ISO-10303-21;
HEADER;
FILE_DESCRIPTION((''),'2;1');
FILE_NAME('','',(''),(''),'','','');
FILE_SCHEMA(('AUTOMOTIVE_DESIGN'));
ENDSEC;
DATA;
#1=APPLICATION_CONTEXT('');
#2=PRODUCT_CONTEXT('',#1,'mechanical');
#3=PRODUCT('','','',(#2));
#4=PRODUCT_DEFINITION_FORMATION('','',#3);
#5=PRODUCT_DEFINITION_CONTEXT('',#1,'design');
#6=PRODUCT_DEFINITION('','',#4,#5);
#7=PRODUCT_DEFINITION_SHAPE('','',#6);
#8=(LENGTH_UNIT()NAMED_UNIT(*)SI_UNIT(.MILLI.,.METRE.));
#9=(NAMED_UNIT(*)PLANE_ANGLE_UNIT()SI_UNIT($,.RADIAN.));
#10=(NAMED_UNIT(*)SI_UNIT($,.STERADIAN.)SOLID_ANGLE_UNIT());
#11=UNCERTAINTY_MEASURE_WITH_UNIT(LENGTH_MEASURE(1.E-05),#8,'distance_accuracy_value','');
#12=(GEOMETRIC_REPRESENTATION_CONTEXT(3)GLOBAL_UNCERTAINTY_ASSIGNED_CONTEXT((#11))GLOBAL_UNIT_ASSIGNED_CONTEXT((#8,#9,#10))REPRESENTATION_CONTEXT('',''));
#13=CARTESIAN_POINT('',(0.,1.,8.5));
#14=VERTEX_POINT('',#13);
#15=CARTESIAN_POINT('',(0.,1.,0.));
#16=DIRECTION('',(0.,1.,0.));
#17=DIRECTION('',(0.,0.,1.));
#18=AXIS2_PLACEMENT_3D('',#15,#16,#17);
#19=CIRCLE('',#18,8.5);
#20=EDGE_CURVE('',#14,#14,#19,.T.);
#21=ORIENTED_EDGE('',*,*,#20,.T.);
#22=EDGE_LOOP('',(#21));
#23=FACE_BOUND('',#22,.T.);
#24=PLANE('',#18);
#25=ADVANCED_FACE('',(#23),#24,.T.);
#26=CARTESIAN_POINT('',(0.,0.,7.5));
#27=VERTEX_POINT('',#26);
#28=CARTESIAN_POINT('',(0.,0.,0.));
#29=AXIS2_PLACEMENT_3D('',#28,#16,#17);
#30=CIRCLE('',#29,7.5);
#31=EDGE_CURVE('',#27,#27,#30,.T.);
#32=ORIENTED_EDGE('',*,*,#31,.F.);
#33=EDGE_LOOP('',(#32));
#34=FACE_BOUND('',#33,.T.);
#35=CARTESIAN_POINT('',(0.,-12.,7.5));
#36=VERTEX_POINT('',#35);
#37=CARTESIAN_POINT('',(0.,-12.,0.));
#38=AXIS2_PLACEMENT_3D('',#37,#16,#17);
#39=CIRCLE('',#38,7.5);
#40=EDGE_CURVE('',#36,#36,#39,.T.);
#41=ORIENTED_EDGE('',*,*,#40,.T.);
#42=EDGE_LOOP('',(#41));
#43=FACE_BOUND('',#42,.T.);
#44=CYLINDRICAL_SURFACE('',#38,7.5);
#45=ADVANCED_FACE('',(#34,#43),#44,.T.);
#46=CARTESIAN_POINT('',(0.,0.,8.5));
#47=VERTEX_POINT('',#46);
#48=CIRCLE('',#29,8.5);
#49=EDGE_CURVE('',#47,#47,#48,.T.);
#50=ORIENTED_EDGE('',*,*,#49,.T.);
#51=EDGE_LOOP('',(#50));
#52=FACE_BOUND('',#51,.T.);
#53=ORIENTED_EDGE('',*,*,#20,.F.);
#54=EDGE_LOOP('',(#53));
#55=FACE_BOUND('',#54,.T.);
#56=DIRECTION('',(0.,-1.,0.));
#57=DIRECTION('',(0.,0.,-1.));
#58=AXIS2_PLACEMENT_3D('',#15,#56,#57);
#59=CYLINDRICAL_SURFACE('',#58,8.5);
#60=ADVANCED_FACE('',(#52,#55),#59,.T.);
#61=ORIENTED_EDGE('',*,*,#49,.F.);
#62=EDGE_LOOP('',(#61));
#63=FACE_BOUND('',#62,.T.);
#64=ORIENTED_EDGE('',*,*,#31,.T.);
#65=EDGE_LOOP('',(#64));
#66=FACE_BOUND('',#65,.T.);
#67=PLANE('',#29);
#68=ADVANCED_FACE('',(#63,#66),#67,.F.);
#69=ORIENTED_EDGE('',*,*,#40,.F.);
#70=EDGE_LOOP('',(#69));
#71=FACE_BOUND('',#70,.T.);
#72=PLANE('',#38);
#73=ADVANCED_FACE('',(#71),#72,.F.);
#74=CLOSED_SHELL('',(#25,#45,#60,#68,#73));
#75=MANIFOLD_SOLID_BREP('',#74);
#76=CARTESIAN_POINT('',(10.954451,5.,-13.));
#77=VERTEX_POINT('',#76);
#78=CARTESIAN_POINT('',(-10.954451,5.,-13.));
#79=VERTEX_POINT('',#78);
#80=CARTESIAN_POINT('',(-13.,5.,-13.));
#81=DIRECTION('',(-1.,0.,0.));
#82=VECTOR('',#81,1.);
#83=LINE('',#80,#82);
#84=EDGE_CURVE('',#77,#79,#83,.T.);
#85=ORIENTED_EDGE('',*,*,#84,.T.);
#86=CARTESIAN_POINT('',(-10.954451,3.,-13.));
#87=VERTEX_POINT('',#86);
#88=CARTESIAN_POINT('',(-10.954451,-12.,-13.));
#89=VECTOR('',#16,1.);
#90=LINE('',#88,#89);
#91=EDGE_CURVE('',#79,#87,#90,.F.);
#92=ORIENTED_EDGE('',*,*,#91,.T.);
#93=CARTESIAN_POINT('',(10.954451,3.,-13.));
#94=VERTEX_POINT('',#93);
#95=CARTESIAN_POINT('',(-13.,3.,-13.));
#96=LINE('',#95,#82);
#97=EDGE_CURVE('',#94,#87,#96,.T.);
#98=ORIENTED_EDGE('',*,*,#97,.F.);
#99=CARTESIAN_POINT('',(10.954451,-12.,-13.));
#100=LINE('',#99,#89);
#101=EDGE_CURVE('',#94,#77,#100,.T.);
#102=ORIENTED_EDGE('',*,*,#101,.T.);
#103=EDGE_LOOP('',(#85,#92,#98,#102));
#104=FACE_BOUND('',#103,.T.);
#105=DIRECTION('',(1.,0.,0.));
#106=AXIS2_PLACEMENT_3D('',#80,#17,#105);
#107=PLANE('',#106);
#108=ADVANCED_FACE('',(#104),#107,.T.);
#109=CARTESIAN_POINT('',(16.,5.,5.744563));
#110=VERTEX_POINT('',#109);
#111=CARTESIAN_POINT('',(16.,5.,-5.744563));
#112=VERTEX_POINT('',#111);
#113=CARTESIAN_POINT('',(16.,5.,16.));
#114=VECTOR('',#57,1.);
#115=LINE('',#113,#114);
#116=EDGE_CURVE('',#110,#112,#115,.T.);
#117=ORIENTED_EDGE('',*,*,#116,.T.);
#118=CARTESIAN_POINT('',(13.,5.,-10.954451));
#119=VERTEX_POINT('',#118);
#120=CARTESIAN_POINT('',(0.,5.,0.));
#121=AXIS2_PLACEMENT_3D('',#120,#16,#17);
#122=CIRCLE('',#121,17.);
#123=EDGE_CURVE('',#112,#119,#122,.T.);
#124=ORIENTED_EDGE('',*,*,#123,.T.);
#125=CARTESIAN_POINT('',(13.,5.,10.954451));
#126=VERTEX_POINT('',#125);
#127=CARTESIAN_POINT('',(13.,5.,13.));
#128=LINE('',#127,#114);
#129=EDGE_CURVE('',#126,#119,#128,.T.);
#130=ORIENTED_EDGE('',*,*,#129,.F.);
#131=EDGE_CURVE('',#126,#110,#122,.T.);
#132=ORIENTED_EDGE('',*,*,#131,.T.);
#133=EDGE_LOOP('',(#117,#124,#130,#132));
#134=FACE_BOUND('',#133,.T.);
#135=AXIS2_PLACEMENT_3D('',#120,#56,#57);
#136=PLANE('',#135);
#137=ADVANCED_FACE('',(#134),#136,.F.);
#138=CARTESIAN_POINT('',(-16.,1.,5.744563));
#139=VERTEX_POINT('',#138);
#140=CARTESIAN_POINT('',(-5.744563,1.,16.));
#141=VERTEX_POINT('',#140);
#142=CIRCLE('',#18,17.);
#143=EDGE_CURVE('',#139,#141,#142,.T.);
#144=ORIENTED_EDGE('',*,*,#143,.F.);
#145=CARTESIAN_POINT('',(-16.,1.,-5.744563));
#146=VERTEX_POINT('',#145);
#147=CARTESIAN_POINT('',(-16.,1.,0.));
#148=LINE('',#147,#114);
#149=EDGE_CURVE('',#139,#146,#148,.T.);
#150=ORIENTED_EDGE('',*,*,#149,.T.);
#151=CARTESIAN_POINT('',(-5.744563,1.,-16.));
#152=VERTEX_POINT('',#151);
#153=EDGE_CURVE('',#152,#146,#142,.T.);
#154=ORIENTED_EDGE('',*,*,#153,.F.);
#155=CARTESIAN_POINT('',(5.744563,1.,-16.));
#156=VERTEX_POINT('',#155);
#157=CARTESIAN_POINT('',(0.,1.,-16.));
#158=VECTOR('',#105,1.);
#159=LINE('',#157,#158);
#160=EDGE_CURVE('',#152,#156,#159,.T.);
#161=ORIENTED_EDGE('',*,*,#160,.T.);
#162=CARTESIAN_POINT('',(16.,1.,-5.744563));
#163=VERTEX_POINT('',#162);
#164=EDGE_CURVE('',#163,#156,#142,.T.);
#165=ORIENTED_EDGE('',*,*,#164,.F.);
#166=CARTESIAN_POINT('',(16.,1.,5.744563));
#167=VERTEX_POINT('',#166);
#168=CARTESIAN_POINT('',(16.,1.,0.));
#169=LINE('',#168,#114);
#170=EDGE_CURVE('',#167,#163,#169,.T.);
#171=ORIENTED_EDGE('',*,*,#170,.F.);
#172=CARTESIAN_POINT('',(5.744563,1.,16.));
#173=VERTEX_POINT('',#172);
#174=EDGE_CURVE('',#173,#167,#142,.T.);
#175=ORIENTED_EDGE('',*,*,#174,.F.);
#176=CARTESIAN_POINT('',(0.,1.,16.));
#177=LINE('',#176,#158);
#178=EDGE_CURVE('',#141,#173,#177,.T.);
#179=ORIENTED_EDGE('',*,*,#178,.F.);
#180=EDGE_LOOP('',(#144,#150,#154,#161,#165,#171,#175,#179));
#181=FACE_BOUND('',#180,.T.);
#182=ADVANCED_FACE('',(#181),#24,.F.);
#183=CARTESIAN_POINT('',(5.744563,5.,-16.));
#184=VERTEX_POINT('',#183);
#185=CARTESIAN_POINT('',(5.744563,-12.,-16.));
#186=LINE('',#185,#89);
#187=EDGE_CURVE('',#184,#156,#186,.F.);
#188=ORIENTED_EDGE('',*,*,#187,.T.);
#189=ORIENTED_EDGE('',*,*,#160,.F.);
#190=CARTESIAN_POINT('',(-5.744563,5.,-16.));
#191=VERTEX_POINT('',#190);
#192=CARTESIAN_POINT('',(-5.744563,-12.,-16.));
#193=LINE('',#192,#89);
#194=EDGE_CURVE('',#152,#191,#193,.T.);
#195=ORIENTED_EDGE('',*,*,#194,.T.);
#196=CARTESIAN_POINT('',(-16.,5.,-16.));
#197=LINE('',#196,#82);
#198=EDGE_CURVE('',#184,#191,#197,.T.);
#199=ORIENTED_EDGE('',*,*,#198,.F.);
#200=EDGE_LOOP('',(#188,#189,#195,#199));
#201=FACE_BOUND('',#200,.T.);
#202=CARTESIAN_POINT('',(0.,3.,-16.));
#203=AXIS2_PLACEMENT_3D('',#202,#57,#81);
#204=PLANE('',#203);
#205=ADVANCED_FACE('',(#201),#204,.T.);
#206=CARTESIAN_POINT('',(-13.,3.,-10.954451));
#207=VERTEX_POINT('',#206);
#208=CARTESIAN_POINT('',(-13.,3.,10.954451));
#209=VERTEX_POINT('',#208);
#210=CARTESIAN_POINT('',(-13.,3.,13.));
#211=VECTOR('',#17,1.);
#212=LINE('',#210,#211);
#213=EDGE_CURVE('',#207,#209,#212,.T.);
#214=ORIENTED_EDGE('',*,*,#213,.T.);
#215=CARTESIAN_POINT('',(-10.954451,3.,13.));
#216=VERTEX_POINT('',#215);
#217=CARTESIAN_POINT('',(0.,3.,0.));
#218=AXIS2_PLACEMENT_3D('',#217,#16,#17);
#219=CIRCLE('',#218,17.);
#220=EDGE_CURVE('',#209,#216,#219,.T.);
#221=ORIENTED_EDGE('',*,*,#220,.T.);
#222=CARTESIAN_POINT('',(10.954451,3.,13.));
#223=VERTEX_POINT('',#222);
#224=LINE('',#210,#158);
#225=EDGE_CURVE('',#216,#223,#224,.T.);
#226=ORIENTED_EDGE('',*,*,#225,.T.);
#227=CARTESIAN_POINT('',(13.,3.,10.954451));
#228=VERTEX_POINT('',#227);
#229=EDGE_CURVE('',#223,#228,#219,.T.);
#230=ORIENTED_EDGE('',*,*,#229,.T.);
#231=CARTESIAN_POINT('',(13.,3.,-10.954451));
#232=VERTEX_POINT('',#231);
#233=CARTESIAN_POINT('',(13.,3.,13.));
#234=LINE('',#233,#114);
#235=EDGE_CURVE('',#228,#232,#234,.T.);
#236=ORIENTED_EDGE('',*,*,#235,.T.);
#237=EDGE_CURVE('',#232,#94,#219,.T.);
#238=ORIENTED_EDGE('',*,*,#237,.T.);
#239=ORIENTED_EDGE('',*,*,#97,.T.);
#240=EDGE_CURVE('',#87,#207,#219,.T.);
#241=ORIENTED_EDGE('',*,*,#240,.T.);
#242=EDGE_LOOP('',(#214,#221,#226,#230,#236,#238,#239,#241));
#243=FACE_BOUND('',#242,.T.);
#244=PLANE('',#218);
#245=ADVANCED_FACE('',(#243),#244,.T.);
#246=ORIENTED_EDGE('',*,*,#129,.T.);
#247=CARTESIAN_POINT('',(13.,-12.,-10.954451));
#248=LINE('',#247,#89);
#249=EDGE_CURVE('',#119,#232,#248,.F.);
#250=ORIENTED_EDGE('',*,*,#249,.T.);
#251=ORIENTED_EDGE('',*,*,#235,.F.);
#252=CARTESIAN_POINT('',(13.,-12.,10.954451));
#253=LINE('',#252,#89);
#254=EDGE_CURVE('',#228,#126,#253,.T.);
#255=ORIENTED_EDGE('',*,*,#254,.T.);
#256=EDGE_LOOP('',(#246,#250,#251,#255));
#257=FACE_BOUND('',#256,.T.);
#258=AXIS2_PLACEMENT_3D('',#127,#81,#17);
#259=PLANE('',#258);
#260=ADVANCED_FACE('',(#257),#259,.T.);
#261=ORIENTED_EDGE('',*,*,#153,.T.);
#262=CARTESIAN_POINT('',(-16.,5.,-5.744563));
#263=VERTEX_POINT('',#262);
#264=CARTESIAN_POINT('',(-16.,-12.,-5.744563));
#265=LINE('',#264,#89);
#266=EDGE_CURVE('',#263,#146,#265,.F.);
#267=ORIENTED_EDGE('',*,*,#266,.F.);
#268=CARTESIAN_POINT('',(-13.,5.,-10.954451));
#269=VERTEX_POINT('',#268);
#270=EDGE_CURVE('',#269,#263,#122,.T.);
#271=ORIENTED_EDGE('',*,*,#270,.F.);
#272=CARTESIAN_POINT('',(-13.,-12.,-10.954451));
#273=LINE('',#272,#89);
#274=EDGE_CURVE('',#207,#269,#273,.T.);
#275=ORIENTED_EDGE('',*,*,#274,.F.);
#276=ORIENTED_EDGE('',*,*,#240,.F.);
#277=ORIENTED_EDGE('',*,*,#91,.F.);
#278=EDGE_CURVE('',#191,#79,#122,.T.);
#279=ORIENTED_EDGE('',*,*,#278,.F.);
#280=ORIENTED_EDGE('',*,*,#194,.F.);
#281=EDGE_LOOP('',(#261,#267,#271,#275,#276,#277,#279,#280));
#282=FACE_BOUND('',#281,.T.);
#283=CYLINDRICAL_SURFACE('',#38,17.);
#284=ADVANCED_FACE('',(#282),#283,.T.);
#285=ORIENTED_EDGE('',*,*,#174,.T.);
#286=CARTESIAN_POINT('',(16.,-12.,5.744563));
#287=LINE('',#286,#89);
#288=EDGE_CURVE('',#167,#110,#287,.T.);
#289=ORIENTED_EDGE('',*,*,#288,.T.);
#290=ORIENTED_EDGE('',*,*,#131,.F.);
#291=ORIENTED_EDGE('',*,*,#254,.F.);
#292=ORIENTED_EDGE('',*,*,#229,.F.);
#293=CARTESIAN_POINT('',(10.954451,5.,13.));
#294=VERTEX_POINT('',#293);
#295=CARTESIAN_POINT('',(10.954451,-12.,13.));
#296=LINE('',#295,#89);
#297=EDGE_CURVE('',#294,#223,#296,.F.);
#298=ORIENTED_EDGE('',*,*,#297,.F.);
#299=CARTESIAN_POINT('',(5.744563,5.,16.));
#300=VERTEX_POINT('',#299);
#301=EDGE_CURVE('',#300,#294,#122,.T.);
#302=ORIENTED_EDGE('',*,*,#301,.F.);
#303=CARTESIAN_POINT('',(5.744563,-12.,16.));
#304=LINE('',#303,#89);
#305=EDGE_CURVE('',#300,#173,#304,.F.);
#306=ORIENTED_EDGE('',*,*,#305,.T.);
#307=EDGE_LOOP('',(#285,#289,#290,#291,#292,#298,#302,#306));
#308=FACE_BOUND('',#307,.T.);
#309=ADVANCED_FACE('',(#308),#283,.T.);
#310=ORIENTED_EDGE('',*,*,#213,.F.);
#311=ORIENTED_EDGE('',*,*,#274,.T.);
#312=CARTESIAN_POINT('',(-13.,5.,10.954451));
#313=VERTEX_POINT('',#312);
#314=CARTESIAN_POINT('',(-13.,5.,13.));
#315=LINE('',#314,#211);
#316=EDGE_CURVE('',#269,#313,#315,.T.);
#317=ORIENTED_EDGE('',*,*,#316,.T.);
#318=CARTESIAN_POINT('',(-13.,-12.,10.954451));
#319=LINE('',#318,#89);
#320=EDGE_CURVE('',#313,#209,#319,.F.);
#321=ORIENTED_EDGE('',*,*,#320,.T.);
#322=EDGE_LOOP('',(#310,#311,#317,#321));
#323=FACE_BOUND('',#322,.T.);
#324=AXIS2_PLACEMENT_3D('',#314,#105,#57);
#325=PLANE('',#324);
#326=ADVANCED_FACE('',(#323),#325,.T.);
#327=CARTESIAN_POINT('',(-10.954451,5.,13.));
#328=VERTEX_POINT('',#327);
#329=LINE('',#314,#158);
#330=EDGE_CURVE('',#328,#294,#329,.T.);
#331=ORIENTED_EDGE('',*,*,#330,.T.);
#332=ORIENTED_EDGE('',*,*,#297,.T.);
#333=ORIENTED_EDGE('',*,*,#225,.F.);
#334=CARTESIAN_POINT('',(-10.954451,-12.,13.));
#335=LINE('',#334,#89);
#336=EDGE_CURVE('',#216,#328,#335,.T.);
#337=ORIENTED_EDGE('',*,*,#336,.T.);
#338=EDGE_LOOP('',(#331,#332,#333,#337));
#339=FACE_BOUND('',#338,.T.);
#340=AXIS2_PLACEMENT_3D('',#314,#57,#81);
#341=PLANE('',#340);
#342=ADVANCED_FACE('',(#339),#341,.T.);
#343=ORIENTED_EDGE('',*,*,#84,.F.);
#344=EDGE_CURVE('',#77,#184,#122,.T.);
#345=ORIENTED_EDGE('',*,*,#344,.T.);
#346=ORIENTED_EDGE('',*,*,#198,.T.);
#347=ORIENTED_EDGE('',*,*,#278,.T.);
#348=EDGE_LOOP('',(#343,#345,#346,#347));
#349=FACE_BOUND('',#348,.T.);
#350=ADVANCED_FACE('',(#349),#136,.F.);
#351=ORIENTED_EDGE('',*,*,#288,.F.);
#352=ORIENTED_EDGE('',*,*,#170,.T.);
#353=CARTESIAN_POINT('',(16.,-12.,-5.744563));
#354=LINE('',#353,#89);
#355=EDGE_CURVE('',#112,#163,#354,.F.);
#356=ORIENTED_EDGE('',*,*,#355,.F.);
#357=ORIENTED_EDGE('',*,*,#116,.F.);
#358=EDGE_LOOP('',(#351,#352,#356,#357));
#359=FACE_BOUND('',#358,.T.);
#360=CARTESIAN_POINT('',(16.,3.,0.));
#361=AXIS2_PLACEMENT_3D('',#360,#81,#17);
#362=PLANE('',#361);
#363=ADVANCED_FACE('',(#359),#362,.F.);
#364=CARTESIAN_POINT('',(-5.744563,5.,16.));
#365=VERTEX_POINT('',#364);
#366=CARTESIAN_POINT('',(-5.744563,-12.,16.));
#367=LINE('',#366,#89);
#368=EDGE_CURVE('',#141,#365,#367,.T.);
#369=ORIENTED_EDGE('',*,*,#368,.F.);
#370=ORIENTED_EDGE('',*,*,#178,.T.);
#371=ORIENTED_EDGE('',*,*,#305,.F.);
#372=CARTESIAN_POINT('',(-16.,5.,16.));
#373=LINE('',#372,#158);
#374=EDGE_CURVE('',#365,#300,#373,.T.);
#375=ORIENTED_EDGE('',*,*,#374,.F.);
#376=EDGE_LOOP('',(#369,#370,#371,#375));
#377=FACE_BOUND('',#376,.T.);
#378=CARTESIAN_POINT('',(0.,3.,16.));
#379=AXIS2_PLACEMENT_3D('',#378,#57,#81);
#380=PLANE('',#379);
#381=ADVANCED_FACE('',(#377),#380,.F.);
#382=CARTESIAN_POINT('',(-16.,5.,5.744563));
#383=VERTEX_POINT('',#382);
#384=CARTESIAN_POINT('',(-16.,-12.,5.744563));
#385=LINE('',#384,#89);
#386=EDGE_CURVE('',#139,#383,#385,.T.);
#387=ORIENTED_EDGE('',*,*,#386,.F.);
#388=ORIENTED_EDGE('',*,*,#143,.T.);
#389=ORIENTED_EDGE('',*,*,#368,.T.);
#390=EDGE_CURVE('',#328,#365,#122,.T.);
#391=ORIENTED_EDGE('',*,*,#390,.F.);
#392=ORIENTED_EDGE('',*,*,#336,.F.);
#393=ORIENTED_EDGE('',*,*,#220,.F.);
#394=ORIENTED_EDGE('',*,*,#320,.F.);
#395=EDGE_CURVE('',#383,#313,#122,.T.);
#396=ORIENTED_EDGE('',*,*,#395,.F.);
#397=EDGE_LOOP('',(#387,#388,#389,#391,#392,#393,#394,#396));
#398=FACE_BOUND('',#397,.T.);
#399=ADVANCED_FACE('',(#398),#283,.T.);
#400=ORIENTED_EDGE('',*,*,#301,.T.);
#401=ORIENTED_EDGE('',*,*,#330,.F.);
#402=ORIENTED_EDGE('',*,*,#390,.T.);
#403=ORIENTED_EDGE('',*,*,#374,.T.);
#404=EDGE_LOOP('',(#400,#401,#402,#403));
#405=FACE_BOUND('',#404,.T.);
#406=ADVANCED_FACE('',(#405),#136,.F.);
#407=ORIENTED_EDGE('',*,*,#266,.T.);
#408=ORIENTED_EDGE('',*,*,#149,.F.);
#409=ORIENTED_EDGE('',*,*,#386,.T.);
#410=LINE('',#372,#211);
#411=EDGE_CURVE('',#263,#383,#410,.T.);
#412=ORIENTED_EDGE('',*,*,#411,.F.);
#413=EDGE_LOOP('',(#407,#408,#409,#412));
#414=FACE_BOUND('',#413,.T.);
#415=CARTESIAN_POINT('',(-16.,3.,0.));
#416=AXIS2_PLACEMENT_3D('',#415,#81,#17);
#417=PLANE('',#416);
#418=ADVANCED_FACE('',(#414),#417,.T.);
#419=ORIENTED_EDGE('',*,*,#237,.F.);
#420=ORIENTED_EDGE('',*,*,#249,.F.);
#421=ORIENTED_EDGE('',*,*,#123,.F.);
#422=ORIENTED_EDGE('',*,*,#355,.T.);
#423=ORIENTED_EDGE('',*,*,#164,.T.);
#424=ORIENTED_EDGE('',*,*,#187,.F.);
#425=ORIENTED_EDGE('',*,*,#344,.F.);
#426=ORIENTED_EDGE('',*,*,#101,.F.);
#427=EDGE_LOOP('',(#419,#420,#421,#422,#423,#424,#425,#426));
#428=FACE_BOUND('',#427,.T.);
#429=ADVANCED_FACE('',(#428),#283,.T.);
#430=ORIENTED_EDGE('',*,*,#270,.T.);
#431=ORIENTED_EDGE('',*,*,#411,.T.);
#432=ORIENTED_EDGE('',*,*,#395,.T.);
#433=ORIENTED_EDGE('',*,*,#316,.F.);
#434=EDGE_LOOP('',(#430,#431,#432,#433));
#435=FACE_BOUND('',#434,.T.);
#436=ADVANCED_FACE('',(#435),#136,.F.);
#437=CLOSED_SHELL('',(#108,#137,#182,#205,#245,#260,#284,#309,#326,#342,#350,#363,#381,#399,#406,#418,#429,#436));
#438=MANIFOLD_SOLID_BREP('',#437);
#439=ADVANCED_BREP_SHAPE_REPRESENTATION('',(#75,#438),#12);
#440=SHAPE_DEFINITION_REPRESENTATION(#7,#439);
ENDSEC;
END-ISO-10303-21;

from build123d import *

# Parameters (mm, degrees)
ESQUISSE1_R             = 7.5
BOSS_EXTRU_1_DEPTH      = 12
ESQUISSE2_R             = 8.5
BOSS_EXTRU_2_DEPTH      = 1
ESQUISSE3_W             = 32
ESQUISSE3_H             = 32
ESQUISSE3_W_2           = 26
ESQUISSE3_H_2           = 26
ESQUISSE3_R             = 8.5
BOSS_EXTRU_3_DEPTH      = 2
ESQUISSE4_W             = 32
ESQUISSE4_H             = 32
ESQUISSE4_W_2           = 26
ESQUISSE4_H_2           = 26
BOSS_EXTRU_4_DEPTH      = 2
ESQUISSE6_R             = 32.523409814
ESQUISSE6_R_2           = 17
ENL_V_MAT_EXTRU_1_DEPTH = 29.301943396


with BuildPart() as part:
    # Esquisse1 → Boss.-Extru.1 (new body)
    with BuildSketch(Plane(origin=(0, 0, 0), x_dir=(1, 0, 0), z_dir=(0, 1, 0))):
        with Locations(Location((0, 0, 0), (0, 0, 270))):
            Circle(ESQUISSE1_R)
    extrude(amount=-BOSS_EXTRU_1_DEPTH)

    # Esquisse2 → Boss.-Extru.2 (add)
    with BuildSketch(Plane(origin=(0, 0, 0), x_dir=(1, 0, 0), z_dir=(0, 1, 0))):
        with Locations(Location((0, 0, 0), (0, 0, 270))):
            Circle(ESQUISSE2_R)
    extrude(amount=BOSS_EXTRU_2_DEPTH)


with BuildPart() as body_2:
    # Esquisse3 → Boss.-Extru.3 (new body)
    # profile 1 of 3: a face of its own
    with BuildSketch(Plane(origin=(0, 1, 0), x_dir=(1, 0, 0), z_dir=(0, 1, 0))):
        Rectangle(ESQUISSE3_W, ESQUISSE3_H)
        Rectangle(ESQUISSE3_W_2, ESQUISSE3_H_2, mode=Mode.SUBTRACT)
    # profile 2 of 3: a face of its own
    with BuildSketch(Plane(origin=(0, 1, 0), x_dir=(1, 0, 0), z_dir=(0, 1, 0))):
        Rectangle(ESQUISSE3_W_2, ESQUISSE3_H_2)
        with Locations(Location((0, 0, 0), (0, 0, 270))):
            Circle(ESQUISSE3_R, mode=Mode.SUBTRACT)
    # profile 3 of 3: a face of its own
    with BuildSketch(Plane(origin=(0, 1, 0), x_dir=(1, 0, 0), z_dir=(0, 1, 0))):
        with Locations(Location((0, 0, 0), (0, 0, 270))):
            Circle(ESQUISSE3_R)
    extrude(amount=BOSS_EXTRU_3_DEPTH)

    # Esquisse4 → Boss.-Extru.4 (add)
    with BuildSketch(Plane(origin=(0, 3, 0), x_dir=(1, 0, 0), z_dir=(0, 1, 0))):
        Rectangle(ESQUISSE4_W, ESQUISSE4_H)
        Rectangle(ESQUISSE4_W_2, ESQUISSE4_H_2, mode=Mode.SUBTRACT)
    extrude(amount=BOSS_EXTRU_4_DEPTH)

    # Esquisse6 → Enlèv. mat.-Extru.1 (cut, through all)
    with BuildSketch(Plane(origin=(0, 5, 0), x_dir=(1, 0, 0), z_dir=(0, 1, 0))):
        Circle(ESQUISSE6_R)
        Circle(ESQUISSE6_R_2, mode=Mode.SUBTRACT)
    extrude(amount=-ENL_V_MAT_EXTRU_1_DEPTH, mode=Mode.SUBTRACT)


solid = Compound([part.part, body_2.part])
